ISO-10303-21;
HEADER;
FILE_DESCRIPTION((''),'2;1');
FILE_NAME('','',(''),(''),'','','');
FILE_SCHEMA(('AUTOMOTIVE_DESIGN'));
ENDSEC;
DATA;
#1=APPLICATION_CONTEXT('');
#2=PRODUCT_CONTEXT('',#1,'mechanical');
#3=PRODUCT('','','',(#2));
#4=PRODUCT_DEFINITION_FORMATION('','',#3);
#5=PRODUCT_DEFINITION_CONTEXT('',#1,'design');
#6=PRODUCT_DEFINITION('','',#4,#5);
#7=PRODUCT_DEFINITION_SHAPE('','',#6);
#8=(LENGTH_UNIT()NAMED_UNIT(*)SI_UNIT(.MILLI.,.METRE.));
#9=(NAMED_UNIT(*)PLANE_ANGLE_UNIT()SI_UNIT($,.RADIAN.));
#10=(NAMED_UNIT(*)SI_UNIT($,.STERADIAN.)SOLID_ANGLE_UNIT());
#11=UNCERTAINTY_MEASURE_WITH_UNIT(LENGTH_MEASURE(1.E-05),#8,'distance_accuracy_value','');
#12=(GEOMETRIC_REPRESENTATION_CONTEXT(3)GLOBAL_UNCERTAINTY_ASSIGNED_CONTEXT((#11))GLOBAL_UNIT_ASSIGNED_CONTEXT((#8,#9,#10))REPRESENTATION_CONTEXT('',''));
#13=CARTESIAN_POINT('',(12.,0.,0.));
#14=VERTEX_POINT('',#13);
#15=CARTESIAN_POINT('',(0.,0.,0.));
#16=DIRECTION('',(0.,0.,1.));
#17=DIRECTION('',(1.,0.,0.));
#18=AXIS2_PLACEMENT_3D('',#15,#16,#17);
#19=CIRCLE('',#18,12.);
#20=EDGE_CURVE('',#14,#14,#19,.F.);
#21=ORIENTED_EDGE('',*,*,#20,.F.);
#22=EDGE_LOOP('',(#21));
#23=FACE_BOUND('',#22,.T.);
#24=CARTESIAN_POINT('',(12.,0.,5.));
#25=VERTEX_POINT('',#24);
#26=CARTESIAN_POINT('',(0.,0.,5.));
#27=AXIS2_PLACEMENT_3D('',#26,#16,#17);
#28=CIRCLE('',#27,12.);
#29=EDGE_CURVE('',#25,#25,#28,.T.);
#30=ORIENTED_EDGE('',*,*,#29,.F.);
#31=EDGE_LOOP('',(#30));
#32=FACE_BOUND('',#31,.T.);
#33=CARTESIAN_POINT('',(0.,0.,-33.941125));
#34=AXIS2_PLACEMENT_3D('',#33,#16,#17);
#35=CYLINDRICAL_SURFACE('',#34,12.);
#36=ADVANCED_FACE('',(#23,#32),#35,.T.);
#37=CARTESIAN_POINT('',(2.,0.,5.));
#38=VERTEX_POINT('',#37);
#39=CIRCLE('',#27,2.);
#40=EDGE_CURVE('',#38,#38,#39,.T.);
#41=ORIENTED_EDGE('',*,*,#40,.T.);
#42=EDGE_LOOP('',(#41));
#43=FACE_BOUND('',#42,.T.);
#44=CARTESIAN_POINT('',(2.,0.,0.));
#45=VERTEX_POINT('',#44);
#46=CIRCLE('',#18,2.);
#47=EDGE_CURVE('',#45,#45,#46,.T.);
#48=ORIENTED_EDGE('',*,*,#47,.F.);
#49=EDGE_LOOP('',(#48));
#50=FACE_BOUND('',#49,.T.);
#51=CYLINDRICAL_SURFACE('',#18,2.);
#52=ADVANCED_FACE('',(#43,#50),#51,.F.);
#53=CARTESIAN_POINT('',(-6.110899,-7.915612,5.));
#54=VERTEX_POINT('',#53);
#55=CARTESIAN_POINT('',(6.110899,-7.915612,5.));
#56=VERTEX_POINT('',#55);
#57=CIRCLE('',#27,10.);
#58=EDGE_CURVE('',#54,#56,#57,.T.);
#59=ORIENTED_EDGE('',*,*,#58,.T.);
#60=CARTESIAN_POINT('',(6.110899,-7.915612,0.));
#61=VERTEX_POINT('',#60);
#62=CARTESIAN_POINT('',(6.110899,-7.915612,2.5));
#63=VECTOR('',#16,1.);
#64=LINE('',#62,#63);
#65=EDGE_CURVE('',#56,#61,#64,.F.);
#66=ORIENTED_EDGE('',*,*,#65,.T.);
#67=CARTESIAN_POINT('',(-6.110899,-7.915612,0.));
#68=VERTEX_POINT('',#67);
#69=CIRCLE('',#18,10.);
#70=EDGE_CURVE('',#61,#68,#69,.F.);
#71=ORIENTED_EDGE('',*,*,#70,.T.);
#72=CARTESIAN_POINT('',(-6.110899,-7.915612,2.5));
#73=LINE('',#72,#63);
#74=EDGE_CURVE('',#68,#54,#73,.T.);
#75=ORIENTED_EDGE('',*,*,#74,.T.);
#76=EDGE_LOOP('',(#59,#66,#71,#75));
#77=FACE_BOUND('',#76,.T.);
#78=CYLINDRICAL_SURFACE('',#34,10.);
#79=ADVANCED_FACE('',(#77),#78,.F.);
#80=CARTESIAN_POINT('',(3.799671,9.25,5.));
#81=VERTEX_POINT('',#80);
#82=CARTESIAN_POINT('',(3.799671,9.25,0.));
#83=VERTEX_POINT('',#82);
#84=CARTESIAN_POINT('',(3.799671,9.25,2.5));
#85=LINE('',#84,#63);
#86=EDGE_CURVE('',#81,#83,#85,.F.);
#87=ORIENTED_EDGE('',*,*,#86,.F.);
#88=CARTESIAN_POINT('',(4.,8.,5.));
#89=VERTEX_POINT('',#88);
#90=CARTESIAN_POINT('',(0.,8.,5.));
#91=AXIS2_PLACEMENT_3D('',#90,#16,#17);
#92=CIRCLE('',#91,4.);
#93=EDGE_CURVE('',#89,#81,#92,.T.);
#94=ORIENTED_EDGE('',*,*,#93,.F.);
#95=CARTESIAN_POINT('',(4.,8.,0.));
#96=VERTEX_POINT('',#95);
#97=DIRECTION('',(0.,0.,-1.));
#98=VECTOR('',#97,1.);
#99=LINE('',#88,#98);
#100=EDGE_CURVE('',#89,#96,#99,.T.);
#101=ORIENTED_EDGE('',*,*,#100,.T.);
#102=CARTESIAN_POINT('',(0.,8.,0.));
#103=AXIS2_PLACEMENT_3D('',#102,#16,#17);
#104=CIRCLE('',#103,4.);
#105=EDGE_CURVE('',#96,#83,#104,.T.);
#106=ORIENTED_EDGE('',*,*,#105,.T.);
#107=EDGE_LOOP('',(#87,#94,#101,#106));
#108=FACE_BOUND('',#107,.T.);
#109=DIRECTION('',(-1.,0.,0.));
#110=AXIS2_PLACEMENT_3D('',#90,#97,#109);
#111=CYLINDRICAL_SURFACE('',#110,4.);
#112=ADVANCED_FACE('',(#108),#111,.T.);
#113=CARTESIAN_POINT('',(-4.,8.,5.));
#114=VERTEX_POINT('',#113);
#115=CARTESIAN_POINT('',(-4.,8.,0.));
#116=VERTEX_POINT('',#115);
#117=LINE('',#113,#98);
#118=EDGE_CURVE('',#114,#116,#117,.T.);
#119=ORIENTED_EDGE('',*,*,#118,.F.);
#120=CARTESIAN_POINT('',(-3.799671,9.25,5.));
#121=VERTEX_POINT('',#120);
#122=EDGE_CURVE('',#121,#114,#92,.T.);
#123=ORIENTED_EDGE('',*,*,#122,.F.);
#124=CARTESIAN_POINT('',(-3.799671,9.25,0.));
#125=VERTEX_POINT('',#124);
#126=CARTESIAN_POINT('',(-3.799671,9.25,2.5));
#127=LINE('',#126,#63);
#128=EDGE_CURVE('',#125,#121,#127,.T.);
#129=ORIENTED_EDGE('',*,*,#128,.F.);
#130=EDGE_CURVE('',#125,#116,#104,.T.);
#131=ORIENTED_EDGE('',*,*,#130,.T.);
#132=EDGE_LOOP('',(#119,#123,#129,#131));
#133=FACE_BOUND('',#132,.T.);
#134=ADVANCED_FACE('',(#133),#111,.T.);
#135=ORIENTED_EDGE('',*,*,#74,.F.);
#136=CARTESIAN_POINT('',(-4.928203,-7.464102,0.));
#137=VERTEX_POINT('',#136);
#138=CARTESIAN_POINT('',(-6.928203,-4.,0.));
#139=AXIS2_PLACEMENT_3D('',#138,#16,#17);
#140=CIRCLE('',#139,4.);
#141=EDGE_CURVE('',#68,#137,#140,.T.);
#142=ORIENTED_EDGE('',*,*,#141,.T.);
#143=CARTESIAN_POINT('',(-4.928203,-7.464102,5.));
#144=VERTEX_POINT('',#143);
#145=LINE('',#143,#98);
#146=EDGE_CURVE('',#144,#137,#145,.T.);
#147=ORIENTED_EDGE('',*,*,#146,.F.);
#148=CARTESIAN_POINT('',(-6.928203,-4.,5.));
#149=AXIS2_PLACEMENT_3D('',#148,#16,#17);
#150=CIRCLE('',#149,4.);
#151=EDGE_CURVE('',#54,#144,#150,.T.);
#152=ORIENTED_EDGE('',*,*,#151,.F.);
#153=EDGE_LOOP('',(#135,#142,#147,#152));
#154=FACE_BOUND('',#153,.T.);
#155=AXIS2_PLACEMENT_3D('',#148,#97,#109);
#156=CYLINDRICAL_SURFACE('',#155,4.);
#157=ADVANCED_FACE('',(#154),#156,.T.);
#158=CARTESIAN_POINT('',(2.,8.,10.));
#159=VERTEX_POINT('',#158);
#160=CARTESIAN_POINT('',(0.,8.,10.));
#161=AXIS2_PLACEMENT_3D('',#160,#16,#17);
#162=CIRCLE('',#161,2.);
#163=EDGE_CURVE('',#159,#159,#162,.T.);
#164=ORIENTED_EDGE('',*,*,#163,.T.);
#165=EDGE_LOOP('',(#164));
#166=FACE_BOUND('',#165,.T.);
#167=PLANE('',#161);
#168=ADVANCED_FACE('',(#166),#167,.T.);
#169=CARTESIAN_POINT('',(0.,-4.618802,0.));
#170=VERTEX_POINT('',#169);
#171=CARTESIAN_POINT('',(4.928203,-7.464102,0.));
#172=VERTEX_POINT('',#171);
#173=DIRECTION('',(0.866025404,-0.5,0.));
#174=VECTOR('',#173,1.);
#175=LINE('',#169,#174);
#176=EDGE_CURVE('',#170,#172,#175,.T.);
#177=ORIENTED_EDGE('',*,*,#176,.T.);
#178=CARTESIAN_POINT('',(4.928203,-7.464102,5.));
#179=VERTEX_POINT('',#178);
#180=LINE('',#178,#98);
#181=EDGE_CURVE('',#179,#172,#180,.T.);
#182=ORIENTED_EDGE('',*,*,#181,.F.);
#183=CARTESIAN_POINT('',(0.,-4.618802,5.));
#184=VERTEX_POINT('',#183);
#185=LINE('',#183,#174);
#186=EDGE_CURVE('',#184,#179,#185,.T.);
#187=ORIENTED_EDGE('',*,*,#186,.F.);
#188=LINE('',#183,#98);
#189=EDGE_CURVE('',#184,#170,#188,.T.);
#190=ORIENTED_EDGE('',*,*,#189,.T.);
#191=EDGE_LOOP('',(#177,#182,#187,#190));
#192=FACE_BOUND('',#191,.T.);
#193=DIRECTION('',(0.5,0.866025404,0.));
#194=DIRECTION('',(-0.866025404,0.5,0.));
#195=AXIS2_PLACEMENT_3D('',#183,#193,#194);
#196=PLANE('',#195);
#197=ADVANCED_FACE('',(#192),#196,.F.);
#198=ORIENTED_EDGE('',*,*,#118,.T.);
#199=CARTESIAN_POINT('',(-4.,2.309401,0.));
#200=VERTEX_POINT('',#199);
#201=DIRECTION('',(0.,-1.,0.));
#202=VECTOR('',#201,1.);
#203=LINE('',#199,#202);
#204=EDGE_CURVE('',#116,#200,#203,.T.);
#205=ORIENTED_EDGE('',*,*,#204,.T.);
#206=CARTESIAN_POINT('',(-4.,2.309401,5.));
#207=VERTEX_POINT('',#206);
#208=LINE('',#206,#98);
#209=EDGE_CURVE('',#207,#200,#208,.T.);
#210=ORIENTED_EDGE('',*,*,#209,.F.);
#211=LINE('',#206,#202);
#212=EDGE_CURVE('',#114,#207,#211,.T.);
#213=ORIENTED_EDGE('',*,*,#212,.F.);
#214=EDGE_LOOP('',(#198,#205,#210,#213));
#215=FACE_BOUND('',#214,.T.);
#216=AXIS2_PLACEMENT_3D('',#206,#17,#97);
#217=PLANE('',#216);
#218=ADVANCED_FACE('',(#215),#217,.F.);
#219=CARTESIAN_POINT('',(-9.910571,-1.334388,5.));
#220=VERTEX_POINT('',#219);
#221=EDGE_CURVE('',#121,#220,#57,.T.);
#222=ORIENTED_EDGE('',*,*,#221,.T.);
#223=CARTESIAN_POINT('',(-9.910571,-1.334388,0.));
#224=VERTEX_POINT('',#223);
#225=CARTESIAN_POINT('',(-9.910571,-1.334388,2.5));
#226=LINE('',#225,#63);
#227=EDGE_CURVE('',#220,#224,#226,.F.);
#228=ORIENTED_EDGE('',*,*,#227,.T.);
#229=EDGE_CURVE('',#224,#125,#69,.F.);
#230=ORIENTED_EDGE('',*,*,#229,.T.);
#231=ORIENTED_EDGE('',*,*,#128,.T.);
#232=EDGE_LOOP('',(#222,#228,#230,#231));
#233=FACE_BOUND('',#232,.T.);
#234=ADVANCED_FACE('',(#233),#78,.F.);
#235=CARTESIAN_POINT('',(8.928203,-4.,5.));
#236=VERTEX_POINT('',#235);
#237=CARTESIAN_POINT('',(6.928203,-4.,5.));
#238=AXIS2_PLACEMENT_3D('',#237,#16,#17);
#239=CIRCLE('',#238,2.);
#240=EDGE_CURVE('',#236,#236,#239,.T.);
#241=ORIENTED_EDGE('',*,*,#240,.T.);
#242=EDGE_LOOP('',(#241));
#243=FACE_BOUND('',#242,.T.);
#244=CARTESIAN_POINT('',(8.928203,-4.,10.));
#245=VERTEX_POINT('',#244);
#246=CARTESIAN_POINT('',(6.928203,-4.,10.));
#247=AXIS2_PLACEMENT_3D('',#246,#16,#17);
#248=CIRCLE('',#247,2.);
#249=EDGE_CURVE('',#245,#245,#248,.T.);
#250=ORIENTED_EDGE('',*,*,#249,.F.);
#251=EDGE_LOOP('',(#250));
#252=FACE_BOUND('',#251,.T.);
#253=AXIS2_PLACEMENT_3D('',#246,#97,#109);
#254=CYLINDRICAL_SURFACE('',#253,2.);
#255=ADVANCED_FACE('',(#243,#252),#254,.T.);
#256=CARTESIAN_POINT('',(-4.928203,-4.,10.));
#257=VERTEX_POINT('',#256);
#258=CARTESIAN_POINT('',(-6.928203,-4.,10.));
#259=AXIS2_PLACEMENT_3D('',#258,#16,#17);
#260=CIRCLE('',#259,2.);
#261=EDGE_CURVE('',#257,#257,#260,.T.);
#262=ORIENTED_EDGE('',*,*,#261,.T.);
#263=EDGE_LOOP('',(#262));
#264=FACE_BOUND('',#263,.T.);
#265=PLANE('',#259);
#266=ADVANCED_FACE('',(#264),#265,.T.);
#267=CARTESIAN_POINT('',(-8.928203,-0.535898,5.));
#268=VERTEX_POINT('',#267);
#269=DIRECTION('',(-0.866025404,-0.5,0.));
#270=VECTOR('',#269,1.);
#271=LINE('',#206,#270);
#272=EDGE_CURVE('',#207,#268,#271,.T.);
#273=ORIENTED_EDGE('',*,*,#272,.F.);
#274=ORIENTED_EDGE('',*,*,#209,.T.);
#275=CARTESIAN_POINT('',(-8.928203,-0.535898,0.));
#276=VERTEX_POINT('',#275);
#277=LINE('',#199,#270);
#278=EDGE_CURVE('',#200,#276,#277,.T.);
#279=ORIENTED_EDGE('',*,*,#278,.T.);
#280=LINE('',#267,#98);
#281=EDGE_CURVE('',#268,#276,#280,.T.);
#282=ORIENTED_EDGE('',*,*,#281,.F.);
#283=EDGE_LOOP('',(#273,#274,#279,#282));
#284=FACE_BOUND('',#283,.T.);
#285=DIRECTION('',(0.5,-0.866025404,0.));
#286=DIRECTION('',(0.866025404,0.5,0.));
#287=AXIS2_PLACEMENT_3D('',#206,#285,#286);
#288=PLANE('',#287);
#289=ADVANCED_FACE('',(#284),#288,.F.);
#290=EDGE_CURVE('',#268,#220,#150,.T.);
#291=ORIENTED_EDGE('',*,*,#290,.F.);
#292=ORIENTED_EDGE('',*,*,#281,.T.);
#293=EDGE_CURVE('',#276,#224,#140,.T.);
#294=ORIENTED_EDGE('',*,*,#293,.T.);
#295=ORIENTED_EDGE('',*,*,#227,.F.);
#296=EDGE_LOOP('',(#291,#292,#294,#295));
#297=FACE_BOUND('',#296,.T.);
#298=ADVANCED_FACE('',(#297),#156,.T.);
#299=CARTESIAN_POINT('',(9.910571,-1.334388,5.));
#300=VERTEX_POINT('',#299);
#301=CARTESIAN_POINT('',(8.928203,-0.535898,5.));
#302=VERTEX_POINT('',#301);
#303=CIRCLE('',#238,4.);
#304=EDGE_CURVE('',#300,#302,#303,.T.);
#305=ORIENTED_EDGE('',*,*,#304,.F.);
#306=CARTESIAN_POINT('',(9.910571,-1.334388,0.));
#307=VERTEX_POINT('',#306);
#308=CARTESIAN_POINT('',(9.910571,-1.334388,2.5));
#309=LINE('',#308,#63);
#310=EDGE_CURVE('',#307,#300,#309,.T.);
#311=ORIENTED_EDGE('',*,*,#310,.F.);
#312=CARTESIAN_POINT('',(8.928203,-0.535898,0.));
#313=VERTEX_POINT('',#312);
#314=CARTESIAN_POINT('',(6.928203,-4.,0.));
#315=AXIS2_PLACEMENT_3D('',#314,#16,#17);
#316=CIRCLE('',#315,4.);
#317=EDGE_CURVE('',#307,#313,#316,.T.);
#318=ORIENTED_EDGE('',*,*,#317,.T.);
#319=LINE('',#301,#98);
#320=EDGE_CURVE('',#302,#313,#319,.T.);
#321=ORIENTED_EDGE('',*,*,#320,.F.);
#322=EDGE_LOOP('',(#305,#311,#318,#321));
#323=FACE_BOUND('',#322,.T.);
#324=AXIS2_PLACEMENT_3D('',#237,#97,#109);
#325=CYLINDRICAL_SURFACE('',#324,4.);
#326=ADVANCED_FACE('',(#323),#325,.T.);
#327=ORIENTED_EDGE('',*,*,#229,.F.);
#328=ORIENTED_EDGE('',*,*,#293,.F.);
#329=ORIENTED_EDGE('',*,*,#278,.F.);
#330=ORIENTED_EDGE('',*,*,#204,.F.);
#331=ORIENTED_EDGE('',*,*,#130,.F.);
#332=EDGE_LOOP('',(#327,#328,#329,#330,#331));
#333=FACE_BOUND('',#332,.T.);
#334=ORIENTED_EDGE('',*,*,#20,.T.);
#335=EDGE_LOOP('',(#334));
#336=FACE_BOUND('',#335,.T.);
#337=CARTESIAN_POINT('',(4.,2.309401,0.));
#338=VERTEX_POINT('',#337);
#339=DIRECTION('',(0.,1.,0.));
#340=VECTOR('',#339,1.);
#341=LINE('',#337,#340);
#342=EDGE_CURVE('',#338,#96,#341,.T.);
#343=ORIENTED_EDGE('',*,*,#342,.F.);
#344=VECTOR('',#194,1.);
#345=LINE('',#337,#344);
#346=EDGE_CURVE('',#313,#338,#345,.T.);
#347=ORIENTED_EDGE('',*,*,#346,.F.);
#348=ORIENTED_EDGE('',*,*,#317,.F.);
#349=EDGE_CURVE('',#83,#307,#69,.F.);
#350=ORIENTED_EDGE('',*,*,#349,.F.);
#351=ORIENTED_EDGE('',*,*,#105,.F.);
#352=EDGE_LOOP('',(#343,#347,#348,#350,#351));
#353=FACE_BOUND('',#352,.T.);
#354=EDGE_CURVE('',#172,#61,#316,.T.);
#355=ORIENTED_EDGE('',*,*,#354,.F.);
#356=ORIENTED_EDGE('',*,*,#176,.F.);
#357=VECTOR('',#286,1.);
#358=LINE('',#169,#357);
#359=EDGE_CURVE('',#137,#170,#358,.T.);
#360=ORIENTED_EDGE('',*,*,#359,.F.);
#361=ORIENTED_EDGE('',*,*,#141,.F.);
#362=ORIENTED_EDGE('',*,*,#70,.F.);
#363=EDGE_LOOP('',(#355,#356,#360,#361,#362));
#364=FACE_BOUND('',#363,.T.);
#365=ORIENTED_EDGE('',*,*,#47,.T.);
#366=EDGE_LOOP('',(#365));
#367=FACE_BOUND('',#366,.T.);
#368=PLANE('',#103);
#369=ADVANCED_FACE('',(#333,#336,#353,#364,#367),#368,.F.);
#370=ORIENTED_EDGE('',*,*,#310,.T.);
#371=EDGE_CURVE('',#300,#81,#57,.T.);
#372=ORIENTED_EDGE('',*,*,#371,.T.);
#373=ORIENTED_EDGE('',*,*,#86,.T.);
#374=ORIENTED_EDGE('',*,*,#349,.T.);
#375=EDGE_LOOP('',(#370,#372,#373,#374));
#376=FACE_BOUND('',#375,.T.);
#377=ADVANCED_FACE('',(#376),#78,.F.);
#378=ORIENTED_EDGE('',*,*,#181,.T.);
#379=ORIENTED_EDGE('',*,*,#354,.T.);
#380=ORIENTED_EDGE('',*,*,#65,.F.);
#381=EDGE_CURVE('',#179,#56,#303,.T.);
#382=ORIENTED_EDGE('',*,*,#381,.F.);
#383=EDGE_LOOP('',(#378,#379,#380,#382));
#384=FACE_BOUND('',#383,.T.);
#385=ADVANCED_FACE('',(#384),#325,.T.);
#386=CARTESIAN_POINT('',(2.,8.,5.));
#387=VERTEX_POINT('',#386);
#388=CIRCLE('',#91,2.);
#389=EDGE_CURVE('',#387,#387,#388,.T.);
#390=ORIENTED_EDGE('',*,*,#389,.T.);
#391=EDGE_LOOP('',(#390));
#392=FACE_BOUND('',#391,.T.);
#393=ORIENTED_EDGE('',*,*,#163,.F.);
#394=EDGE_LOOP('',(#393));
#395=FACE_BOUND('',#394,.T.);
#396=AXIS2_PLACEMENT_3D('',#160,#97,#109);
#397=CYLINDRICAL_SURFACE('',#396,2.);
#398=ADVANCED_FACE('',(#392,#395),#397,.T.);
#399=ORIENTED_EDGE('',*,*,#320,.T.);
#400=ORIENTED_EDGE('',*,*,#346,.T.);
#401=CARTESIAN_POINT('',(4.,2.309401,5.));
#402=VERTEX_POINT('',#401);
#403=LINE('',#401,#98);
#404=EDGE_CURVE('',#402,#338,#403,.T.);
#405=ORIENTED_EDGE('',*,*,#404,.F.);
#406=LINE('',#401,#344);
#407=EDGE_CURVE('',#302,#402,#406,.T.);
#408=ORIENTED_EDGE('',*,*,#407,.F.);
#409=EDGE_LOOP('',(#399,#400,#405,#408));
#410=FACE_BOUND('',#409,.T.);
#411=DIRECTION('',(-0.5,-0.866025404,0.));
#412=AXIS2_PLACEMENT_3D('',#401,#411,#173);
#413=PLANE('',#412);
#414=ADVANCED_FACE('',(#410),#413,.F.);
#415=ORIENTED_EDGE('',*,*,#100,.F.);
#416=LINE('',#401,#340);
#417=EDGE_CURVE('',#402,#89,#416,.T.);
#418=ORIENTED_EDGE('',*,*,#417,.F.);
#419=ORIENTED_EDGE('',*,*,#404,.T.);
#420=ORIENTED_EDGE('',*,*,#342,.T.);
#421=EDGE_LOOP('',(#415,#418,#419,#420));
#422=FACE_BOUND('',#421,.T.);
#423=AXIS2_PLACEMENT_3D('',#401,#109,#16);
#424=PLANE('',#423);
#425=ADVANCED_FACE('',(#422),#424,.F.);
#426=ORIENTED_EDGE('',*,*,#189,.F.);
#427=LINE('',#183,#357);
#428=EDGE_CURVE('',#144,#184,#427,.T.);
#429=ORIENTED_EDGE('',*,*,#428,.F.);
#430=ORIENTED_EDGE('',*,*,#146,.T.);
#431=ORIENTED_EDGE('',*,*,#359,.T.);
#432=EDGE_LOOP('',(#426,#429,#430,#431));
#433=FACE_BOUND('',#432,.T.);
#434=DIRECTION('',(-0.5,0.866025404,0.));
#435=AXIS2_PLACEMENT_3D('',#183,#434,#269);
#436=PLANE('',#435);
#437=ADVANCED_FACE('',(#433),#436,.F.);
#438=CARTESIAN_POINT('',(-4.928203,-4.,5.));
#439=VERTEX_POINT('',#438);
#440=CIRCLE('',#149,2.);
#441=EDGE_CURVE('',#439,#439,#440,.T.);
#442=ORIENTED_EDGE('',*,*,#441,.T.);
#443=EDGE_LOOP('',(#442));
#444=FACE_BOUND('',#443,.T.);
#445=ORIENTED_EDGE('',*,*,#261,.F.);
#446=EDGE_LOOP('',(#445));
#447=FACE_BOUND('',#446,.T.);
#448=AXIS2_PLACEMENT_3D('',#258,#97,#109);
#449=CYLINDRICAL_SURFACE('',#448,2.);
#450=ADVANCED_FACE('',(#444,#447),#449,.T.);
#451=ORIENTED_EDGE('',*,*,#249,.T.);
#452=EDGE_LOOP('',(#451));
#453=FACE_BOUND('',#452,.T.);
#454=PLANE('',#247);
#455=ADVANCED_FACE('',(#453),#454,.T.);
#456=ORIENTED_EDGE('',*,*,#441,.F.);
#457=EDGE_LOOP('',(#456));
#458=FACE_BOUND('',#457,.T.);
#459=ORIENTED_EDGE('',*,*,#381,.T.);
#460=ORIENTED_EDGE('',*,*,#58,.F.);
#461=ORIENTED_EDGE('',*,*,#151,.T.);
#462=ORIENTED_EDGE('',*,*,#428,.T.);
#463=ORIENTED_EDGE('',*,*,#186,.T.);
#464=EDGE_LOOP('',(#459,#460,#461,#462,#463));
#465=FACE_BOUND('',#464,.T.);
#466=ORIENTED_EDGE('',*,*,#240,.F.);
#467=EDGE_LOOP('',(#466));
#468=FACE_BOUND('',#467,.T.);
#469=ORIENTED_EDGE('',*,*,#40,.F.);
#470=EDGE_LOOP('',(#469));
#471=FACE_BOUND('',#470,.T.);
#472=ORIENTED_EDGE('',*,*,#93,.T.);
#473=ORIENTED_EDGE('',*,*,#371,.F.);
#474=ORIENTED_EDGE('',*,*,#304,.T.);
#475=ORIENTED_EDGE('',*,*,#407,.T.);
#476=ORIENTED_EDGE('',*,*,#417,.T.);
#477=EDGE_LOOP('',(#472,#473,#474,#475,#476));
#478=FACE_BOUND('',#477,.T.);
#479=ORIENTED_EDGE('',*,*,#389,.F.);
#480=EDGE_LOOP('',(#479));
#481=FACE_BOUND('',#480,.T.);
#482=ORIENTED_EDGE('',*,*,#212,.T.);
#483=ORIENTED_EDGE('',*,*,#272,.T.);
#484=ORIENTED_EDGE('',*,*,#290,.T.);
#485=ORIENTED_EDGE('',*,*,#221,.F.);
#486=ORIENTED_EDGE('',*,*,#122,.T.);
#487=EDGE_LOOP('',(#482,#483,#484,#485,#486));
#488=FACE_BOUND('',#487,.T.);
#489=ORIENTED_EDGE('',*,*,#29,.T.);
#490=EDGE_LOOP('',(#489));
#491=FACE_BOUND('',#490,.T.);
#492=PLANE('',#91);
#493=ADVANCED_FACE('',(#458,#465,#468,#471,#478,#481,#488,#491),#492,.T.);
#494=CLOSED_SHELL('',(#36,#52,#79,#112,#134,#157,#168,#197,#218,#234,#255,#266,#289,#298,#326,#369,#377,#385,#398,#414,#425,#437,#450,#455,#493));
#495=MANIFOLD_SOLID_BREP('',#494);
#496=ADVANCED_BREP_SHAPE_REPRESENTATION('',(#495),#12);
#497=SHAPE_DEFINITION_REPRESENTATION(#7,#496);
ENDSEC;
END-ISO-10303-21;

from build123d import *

# Parameters (mm, degrees)
BOSS_EXTRUDE1_DEPTH     = 5
SKETCH3_R               = 2
BOSS_EXTRUDE2_DEPTH     = 5
SKETCH4_R               = 2
CUT_EXTRUDE1_DEPTH      = 6
CUT_EXTRUDE1_DEPTH_BACK = 6
SKETCH5_R               = 12
SKETCH5_R_2             = 10
BOSS_EXTRUDE3_DEPTH     = 5


with BuildPart() as part:
    # Sketch1 → Boss-Extrude1 (new body)
    with BuildSketch(Plane.XY):
        with BuildLine():
            Line((4, 2.309401077), (4, 8))
            ThreePointArc((4, 8), (0, 12), (-4, 8))
            Line((-4, 8), (-4, 2.309401077))
            Line((-4, 2.309401077), (-8.92820323, -0.535898385))
            ThreePointArc((-8.92820323, -0.535898385), (-10.392304845, -6), (-4.92820323, -7.464101615))
            Line((-4.92820323, -7.464101615), (0, -4.618802154))
            Line((0, -4.618802154), (4.92820323, -7.464101615))
            ThreePointArc((4.92820323, -7.464101615), (10.392304845, -6), (8.92820323, -0.535898385))
            Line((8.92820323, -0.535898385), (4, 2.309401077))
        make_face()
    extrude(amount=BOSS_EXTRUDE1_DEPTH)

    # Sketch3 → Boss-Extrude2 (add)
    with BuildSketch(Plane.XY.offset(5)):
        with Locations((0, 8)):
            Circle(SKETCH3_R)
        with Locations((6.92820323, -4)):
            Circle(SKETCH3_R)
        with Locations((-6.92820323, -4)):
            Circle(SKETCH3_R)
        Circle(SKETCH3_R)
    extrude(amount=BOSS_EXTRUDE2_DEPTH)

    # Sketch4 → Cut-Extrude1 (cut, two sides)
    with BuildSketch(Plane.XY.offset(5)) as cut_extrude1_sk:
        Circle(SKETCH4_R)
    extrude(amount=CUT_EXTRUDE1_DEPTH, mode=Mode.SUBTRACT)
    extrude(cut_extrude1_sk.sketch, amount=-CUT_EXTRUDE1_DEPTH_BACK, mode=Mode.SUBTRACT)

    # Sketch5 → Boss-Extrude3 (add)
    with BuildSketch(Plane.XY.offset(5)):
        Circle(SKETCH5_R)
        Circle(SKETCH5_R_2, mode=Mode.SUBTRACT)
    extrude(amount=-BOSS_EXTRUDE3_DEPTH)


solid = part.part
